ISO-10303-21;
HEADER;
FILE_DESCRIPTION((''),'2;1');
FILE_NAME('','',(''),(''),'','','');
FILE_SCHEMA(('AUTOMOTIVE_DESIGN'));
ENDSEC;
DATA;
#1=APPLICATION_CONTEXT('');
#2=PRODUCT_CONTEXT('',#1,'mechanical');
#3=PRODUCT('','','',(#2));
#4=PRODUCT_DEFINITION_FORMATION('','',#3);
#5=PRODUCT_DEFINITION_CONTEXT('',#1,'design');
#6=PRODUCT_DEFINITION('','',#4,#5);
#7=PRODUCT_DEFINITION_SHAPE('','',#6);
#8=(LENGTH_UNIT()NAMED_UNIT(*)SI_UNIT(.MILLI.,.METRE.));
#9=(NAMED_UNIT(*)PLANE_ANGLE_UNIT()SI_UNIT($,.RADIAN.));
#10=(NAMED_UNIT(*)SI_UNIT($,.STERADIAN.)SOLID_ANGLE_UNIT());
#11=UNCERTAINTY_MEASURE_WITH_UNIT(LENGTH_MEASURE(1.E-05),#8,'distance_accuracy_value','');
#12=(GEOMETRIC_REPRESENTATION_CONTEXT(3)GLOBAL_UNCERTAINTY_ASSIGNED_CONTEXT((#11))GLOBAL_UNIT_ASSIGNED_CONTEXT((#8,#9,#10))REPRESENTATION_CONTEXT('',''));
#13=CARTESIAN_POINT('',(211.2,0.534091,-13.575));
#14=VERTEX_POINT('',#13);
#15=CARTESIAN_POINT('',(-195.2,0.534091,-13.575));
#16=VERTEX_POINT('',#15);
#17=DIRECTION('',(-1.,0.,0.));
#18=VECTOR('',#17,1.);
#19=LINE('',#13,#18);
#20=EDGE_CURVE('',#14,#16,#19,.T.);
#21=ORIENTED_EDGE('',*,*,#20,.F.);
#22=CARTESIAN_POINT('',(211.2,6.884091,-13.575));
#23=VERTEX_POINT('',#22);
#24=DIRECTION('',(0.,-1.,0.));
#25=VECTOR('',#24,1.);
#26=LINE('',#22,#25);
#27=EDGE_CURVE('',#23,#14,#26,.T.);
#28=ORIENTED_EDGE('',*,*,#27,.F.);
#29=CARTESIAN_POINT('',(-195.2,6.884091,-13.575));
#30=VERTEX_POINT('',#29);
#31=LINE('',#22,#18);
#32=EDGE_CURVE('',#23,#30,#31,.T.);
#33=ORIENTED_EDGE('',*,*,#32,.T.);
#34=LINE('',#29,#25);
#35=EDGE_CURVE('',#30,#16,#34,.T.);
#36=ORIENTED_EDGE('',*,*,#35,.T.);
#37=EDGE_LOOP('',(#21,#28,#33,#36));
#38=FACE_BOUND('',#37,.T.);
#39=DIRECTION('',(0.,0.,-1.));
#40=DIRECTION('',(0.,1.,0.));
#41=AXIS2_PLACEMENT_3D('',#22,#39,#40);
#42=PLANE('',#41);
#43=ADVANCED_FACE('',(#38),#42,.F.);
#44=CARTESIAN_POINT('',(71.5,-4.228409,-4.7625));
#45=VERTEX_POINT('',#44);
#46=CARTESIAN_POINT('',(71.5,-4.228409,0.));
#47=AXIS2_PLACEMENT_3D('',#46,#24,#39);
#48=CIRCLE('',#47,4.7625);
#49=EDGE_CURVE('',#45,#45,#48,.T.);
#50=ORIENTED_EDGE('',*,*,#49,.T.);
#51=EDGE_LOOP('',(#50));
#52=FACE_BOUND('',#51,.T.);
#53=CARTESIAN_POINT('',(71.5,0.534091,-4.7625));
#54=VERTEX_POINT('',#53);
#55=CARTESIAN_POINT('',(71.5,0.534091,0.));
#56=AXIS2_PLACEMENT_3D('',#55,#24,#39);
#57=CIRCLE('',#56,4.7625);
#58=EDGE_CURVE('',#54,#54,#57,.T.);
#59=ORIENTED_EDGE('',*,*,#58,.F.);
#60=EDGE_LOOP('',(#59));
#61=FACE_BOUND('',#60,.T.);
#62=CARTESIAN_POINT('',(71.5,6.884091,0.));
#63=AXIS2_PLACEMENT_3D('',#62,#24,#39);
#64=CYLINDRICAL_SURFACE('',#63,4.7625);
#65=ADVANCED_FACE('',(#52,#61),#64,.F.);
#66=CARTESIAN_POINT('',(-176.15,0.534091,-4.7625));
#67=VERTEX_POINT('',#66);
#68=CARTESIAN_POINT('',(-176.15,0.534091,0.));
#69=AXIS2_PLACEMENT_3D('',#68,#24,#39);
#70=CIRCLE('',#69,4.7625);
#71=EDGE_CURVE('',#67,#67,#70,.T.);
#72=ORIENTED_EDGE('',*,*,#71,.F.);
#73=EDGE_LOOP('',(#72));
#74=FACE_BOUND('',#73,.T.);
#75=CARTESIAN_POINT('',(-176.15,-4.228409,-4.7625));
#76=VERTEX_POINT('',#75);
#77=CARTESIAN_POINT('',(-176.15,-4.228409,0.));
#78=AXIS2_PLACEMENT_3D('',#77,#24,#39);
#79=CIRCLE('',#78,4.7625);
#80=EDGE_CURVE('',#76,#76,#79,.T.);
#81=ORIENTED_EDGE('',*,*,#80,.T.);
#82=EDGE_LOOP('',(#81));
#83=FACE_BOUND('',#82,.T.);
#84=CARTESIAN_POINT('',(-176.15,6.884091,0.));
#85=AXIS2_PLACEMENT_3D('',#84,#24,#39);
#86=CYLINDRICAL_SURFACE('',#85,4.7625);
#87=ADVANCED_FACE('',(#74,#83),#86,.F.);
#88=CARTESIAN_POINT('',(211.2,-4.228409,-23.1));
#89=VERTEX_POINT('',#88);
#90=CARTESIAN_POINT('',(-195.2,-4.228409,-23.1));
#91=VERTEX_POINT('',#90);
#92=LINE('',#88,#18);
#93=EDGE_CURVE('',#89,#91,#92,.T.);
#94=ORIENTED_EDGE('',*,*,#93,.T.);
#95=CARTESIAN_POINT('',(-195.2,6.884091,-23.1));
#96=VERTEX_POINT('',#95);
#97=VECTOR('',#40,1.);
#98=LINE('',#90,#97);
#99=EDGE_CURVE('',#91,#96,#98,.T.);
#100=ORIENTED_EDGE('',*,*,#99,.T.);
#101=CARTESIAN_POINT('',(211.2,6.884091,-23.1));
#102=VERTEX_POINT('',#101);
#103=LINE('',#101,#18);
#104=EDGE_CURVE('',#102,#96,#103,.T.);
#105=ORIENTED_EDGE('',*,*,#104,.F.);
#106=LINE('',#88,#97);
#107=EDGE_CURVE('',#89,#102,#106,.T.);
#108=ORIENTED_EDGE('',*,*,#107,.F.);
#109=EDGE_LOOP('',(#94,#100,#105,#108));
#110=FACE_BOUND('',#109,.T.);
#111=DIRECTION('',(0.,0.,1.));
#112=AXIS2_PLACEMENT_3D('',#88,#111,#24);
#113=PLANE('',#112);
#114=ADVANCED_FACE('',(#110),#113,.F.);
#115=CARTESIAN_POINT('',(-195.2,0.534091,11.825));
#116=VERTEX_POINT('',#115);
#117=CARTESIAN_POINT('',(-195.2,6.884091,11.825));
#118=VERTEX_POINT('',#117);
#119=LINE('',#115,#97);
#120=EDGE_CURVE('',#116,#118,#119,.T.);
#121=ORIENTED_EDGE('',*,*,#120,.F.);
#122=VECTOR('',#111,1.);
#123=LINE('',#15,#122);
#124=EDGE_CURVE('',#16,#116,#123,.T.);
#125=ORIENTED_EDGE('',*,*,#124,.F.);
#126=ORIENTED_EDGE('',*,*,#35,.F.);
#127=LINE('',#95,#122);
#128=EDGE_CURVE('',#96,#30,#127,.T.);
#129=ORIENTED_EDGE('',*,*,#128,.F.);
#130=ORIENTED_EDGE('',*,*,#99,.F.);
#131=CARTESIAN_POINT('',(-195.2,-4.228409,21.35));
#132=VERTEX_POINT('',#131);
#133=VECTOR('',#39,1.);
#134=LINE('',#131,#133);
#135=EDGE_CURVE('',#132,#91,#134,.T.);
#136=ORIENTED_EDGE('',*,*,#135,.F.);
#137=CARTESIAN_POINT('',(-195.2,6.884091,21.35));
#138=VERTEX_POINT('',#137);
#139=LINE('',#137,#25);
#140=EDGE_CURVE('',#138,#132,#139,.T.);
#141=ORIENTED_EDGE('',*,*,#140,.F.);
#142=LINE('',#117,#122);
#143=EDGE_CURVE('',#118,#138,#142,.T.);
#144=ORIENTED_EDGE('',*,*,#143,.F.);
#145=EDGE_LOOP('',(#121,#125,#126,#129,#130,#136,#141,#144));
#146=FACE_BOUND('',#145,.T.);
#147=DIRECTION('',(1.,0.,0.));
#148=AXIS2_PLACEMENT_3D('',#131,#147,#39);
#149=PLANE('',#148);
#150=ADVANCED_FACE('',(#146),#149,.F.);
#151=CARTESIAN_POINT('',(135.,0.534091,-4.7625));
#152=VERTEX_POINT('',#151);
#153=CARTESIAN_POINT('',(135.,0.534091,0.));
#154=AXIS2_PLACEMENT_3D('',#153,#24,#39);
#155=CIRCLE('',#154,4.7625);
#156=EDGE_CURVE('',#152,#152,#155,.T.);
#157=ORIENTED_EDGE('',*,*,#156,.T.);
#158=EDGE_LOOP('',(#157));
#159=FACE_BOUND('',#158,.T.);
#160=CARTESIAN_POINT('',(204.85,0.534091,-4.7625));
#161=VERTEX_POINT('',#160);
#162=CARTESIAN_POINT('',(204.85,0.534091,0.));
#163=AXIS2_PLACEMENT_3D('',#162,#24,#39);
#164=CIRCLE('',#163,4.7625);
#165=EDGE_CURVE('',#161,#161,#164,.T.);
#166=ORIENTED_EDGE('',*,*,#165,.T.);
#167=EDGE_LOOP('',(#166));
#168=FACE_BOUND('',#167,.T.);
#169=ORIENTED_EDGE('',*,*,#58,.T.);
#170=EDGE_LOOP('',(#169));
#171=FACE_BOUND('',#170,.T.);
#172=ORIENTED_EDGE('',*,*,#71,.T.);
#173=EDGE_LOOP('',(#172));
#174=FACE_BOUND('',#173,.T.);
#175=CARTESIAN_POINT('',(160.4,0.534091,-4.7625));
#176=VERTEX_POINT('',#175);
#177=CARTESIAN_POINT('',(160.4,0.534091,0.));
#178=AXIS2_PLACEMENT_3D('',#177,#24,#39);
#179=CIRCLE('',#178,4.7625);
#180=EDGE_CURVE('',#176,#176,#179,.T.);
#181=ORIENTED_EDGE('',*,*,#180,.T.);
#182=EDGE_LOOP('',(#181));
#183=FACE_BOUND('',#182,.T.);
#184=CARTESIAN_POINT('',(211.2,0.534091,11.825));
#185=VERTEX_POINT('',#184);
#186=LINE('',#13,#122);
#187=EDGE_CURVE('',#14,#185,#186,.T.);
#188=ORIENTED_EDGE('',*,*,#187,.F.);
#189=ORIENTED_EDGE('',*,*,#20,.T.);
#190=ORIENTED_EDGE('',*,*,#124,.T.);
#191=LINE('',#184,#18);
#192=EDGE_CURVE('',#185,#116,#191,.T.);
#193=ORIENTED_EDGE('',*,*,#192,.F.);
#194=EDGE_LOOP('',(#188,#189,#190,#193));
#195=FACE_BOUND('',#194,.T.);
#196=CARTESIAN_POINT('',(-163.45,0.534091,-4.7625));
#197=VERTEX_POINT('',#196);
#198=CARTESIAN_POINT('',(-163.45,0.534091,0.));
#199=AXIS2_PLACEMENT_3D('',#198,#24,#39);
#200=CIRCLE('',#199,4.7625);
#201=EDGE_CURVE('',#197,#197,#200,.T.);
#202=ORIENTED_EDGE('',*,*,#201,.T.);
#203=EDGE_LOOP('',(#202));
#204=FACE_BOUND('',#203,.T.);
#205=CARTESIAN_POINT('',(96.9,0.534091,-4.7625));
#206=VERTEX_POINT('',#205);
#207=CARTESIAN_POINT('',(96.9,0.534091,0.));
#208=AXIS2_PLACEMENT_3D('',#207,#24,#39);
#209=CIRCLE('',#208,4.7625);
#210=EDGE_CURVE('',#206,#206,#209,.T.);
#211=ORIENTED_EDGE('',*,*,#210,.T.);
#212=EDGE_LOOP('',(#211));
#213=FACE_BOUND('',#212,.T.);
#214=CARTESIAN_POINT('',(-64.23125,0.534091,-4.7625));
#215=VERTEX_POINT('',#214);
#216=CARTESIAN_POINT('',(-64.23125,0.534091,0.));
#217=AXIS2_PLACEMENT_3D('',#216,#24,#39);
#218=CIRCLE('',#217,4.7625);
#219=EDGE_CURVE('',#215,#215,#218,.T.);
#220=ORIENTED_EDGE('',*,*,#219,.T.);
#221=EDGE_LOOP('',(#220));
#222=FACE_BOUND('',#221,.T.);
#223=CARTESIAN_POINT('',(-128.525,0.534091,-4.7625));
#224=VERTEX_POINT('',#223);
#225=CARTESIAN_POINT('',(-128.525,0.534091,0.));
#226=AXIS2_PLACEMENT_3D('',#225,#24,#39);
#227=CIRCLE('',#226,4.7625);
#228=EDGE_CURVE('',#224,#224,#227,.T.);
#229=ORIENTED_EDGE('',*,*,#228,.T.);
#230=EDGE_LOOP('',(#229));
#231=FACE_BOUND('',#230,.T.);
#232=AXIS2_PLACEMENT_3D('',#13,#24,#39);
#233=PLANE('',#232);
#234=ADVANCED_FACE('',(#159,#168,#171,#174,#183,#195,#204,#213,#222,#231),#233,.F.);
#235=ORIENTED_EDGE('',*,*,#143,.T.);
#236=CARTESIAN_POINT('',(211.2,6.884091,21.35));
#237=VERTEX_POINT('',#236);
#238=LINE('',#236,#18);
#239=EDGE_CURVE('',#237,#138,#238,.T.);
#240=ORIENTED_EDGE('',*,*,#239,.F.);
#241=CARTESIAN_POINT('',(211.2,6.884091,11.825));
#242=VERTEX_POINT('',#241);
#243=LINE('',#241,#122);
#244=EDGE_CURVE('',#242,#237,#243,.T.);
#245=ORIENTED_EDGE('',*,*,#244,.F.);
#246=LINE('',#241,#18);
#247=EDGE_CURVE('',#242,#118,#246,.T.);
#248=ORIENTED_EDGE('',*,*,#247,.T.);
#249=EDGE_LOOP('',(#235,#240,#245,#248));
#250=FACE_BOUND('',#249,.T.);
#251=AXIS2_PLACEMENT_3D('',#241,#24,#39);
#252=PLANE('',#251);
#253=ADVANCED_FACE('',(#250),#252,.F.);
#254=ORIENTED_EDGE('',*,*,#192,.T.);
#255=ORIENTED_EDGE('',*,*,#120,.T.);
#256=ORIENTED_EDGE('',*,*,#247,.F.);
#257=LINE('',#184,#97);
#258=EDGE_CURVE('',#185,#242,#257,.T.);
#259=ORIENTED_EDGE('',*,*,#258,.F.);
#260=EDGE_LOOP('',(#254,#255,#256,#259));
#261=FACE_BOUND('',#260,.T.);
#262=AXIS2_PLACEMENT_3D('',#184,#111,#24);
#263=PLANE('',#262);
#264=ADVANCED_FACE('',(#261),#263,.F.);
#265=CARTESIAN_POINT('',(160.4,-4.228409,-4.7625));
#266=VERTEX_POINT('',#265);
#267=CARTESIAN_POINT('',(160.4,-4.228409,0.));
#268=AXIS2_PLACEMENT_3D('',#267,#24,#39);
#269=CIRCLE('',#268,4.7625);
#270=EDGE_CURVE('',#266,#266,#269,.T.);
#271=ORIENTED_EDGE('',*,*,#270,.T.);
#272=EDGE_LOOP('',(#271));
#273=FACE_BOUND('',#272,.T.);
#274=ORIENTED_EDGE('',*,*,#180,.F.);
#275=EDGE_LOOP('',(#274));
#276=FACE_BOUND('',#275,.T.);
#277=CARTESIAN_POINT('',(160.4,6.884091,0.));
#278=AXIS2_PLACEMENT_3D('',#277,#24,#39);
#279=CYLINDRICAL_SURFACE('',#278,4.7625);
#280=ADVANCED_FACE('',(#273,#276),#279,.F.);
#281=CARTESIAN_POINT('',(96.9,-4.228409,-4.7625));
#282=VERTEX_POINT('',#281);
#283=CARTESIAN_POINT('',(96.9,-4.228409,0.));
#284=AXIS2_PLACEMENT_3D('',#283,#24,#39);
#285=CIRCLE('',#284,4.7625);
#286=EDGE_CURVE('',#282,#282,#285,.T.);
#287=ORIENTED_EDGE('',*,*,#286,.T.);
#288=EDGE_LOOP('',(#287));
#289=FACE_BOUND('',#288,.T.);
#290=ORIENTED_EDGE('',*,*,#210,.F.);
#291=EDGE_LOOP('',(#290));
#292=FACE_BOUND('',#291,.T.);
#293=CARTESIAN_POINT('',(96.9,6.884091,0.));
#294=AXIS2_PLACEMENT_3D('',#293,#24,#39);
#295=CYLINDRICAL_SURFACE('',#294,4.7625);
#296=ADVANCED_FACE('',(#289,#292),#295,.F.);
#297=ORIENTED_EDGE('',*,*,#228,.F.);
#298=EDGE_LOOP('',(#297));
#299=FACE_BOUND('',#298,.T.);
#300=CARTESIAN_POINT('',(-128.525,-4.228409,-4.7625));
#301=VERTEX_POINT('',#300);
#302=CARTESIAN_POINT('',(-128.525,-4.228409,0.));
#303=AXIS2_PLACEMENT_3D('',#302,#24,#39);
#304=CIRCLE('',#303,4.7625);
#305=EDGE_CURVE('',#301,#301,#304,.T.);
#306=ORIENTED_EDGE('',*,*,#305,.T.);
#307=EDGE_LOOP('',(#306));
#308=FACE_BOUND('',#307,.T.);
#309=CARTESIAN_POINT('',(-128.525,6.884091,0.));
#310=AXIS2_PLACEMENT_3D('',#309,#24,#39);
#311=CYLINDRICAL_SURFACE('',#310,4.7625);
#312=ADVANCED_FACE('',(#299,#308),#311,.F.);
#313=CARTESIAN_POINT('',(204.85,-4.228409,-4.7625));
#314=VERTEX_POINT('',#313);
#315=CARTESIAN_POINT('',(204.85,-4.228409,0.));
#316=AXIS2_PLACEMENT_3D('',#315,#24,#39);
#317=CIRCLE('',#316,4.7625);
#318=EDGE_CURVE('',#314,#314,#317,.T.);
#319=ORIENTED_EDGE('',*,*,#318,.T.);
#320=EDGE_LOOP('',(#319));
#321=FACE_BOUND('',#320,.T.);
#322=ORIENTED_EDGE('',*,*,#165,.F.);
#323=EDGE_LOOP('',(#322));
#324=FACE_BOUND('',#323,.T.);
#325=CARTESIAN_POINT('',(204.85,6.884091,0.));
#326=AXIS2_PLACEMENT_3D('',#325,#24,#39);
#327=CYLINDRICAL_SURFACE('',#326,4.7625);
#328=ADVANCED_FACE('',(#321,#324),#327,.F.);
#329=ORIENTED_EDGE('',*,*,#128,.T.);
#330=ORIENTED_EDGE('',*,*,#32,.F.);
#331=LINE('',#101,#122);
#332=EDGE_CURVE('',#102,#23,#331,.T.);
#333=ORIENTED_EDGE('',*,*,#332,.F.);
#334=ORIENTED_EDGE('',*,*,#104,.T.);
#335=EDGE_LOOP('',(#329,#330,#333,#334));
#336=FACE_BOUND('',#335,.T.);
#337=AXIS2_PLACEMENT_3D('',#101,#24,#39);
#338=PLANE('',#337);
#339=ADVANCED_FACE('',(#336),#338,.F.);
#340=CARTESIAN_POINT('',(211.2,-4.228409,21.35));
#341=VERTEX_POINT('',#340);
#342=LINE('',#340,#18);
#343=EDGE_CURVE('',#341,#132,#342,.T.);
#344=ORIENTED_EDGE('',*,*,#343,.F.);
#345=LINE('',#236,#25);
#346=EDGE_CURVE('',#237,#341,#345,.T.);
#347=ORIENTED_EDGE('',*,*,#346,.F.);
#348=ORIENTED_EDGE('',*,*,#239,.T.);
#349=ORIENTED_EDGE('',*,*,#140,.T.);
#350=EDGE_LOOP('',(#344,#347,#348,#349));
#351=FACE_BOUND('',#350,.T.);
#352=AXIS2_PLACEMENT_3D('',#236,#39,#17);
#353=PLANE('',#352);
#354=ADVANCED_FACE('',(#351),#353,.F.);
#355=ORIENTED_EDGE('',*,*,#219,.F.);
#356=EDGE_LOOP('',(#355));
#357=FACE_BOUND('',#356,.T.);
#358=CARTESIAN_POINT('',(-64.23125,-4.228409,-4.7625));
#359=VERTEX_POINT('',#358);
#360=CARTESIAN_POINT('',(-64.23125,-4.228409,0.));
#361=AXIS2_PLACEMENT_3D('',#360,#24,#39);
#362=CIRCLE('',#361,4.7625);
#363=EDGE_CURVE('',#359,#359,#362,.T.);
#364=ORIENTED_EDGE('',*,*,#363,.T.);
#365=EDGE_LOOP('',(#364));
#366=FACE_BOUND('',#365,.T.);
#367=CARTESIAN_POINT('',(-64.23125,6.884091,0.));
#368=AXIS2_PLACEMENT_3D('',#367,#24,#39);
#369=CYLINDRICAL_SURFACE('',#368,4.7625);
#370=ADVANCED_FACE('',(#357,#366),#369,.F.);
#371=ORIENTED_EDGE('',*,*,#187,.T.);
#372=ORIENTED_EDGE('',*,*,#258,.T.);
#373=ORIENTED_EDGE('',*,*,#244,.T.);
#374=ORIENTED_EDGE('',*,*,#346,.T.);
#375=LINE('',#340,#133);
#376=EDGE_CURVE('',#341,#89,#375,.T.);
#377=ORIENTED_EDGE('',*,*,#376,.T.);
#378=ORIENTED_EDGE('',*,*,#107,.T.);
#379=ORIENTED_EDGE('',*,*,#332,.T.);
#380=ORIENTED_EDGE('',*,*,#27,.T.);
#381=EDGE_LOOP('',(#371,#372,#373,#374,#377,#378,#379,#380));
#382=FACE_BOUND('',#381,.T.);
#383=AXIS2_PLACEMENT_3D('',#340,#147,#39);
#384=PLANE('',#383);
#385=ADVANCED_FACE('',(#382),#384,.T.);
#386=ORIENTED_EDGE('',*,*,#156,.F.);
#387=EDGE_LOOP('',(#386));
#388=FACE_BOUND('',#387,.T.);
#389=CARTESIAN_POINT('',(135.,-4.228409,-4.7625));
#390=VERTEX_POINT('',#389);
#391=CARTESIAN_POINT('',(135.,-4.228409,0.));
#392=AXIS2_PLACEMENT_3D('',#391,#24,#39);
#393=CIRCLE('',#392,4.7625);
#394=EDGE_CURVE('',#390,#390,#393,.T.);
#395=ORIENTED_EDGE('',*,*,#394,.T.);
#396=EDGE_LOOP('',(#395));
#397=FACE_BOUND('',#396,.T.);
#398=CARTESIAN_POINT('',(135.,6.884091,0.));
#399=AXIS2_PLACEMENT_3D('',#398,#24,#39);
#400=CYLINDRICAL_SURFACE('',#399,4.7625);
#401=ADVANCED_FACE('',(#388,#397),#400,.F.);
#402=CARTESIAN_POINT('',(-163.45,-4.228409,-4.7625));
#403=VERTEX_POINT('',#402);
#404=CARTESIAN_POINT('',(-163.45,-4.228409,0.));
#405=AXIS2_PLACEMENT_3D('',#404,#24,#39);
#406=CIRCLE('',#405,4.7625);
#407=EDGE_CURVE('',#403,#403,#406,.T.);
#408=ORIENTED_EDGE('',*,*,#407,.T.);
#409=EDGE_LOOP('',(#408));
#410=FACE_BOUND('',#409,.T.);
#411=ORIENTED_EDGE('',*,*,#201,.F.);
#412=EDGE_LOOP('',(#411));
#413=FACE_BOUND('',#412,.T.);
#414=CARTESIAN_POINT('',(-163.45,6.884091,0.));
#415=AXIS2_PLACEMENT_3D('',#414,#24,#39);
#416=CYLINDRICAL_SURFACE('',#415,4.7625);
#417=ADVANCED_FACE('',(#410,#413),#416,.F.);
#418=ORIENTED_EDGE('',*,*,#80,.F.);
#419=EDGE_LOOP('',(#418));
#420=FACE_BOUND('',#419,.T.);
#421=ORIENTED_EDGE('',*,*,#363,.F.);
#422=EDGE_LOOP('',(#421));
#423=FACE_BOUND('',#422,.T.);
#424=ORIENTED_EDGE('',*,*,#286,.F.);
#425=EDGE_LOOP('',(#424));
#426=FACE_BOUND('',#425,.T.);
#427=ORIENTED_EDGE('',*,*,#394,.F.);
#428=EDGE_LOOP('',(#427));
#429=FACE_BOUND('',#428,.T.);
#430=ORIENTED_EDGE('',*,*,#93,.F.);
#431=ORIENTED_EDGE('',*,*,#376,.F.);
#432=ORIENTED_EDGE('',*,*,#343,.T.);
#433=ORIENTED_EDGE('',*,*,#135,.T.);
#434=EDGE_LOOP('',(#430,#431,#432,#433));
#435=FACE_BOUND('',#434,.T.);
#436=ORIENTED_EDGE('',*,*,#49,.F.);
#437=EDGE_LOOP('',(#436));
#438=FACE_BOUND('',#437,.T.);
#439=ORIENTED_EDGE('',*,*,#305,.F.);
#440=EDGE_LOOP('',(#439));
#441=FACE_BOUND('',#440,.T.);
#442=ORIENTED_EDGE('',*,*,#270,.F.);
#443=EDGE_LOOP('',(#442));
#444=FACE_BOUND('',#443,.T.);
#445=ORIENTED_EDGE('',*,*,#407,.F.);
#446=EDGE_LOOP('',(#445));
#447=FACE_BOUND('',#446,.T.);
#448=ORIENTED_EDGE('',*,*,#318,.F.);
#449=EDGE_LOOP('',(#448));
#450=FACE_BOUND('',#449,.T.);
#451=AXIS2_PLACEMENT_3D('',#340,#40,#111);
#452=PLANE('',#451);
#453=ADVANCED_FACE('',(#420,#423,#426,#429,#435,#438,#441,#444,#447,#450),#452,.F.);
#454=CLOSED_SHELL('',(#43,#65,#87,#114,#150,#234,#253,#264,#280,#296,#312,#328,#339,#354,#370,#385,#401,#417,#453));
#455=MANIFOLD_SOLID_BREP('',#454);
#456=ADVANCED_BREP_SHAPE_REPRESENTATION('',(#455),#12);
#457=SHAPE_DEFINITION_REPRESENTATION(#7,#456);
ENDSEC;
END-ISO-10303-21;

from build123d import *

# Parameters (mm, degrees)
BOSS_EXTRUDE1_DEPTH = 16
SCALE1_SCALE        = 25.4
SKETCH2_R           = 4.7625
CUT_EXTRUDE1_DEPTH  = 12.112499989


with BuildPart() as part:
    # Sketch1 → Boss-Extrude1 (new body)
    with BuildSketch(Plane(origin=(0, 0, 0), x_dir=(0, 0, -1), z_dir=(1, 0, 0))):
        Polygon((0, 0.4375), (0, 0), (1.75, 0), (1.75, 0.4375), (1.375, 0.4375), (1.375, 0.1875), (0.375, 0.1875), (0.375, 0.4375), align=None)
    extrude(amount=BOSS_EXTRUDE1_DEPTH)


with BuildPart() as part_1:
    # Scale1: scaled about (8, 0.173295455, -0.875)
    add(part.part.scale(SCALE1_SCALE).moved(Location((-195.2, -4.228409102, 21.35))))

    # Sketch2 → Cut-Extrude1 (cut, through all)
    with BuildSketch(Plane.XZ.offset(4.228409091)):
        with Locations((-176.15, 0)):
            Circle(SKETCH2_R)
        with Locations((-163.45, 0)):
            Circle(SKETCH2_R)
        with Locations((-128.525, 0)):
            Circle(SKETCH2_R)
        with Locations((-64.23125, 0)):
            Circle(SKETCH2_R)
        with Locations((71.5, 0)):
            Circle(SKETCH2_R)
        with Locations((96.9, 0)):
            Circle(SKETCH2_R)
        with Locations((135, 0)):
            Circle(SKETCH2_R)
        with Locations((160.4, 0)):
            Circle(SKETCH2_R)
        with Locations((204.85, 0)):
            Circle(SKETCH2_R)
    extrude(amount=-CUT_EXTRUDE1_DEPTH, mode=Mode.SUBTRACT)


solid = part_1.part
